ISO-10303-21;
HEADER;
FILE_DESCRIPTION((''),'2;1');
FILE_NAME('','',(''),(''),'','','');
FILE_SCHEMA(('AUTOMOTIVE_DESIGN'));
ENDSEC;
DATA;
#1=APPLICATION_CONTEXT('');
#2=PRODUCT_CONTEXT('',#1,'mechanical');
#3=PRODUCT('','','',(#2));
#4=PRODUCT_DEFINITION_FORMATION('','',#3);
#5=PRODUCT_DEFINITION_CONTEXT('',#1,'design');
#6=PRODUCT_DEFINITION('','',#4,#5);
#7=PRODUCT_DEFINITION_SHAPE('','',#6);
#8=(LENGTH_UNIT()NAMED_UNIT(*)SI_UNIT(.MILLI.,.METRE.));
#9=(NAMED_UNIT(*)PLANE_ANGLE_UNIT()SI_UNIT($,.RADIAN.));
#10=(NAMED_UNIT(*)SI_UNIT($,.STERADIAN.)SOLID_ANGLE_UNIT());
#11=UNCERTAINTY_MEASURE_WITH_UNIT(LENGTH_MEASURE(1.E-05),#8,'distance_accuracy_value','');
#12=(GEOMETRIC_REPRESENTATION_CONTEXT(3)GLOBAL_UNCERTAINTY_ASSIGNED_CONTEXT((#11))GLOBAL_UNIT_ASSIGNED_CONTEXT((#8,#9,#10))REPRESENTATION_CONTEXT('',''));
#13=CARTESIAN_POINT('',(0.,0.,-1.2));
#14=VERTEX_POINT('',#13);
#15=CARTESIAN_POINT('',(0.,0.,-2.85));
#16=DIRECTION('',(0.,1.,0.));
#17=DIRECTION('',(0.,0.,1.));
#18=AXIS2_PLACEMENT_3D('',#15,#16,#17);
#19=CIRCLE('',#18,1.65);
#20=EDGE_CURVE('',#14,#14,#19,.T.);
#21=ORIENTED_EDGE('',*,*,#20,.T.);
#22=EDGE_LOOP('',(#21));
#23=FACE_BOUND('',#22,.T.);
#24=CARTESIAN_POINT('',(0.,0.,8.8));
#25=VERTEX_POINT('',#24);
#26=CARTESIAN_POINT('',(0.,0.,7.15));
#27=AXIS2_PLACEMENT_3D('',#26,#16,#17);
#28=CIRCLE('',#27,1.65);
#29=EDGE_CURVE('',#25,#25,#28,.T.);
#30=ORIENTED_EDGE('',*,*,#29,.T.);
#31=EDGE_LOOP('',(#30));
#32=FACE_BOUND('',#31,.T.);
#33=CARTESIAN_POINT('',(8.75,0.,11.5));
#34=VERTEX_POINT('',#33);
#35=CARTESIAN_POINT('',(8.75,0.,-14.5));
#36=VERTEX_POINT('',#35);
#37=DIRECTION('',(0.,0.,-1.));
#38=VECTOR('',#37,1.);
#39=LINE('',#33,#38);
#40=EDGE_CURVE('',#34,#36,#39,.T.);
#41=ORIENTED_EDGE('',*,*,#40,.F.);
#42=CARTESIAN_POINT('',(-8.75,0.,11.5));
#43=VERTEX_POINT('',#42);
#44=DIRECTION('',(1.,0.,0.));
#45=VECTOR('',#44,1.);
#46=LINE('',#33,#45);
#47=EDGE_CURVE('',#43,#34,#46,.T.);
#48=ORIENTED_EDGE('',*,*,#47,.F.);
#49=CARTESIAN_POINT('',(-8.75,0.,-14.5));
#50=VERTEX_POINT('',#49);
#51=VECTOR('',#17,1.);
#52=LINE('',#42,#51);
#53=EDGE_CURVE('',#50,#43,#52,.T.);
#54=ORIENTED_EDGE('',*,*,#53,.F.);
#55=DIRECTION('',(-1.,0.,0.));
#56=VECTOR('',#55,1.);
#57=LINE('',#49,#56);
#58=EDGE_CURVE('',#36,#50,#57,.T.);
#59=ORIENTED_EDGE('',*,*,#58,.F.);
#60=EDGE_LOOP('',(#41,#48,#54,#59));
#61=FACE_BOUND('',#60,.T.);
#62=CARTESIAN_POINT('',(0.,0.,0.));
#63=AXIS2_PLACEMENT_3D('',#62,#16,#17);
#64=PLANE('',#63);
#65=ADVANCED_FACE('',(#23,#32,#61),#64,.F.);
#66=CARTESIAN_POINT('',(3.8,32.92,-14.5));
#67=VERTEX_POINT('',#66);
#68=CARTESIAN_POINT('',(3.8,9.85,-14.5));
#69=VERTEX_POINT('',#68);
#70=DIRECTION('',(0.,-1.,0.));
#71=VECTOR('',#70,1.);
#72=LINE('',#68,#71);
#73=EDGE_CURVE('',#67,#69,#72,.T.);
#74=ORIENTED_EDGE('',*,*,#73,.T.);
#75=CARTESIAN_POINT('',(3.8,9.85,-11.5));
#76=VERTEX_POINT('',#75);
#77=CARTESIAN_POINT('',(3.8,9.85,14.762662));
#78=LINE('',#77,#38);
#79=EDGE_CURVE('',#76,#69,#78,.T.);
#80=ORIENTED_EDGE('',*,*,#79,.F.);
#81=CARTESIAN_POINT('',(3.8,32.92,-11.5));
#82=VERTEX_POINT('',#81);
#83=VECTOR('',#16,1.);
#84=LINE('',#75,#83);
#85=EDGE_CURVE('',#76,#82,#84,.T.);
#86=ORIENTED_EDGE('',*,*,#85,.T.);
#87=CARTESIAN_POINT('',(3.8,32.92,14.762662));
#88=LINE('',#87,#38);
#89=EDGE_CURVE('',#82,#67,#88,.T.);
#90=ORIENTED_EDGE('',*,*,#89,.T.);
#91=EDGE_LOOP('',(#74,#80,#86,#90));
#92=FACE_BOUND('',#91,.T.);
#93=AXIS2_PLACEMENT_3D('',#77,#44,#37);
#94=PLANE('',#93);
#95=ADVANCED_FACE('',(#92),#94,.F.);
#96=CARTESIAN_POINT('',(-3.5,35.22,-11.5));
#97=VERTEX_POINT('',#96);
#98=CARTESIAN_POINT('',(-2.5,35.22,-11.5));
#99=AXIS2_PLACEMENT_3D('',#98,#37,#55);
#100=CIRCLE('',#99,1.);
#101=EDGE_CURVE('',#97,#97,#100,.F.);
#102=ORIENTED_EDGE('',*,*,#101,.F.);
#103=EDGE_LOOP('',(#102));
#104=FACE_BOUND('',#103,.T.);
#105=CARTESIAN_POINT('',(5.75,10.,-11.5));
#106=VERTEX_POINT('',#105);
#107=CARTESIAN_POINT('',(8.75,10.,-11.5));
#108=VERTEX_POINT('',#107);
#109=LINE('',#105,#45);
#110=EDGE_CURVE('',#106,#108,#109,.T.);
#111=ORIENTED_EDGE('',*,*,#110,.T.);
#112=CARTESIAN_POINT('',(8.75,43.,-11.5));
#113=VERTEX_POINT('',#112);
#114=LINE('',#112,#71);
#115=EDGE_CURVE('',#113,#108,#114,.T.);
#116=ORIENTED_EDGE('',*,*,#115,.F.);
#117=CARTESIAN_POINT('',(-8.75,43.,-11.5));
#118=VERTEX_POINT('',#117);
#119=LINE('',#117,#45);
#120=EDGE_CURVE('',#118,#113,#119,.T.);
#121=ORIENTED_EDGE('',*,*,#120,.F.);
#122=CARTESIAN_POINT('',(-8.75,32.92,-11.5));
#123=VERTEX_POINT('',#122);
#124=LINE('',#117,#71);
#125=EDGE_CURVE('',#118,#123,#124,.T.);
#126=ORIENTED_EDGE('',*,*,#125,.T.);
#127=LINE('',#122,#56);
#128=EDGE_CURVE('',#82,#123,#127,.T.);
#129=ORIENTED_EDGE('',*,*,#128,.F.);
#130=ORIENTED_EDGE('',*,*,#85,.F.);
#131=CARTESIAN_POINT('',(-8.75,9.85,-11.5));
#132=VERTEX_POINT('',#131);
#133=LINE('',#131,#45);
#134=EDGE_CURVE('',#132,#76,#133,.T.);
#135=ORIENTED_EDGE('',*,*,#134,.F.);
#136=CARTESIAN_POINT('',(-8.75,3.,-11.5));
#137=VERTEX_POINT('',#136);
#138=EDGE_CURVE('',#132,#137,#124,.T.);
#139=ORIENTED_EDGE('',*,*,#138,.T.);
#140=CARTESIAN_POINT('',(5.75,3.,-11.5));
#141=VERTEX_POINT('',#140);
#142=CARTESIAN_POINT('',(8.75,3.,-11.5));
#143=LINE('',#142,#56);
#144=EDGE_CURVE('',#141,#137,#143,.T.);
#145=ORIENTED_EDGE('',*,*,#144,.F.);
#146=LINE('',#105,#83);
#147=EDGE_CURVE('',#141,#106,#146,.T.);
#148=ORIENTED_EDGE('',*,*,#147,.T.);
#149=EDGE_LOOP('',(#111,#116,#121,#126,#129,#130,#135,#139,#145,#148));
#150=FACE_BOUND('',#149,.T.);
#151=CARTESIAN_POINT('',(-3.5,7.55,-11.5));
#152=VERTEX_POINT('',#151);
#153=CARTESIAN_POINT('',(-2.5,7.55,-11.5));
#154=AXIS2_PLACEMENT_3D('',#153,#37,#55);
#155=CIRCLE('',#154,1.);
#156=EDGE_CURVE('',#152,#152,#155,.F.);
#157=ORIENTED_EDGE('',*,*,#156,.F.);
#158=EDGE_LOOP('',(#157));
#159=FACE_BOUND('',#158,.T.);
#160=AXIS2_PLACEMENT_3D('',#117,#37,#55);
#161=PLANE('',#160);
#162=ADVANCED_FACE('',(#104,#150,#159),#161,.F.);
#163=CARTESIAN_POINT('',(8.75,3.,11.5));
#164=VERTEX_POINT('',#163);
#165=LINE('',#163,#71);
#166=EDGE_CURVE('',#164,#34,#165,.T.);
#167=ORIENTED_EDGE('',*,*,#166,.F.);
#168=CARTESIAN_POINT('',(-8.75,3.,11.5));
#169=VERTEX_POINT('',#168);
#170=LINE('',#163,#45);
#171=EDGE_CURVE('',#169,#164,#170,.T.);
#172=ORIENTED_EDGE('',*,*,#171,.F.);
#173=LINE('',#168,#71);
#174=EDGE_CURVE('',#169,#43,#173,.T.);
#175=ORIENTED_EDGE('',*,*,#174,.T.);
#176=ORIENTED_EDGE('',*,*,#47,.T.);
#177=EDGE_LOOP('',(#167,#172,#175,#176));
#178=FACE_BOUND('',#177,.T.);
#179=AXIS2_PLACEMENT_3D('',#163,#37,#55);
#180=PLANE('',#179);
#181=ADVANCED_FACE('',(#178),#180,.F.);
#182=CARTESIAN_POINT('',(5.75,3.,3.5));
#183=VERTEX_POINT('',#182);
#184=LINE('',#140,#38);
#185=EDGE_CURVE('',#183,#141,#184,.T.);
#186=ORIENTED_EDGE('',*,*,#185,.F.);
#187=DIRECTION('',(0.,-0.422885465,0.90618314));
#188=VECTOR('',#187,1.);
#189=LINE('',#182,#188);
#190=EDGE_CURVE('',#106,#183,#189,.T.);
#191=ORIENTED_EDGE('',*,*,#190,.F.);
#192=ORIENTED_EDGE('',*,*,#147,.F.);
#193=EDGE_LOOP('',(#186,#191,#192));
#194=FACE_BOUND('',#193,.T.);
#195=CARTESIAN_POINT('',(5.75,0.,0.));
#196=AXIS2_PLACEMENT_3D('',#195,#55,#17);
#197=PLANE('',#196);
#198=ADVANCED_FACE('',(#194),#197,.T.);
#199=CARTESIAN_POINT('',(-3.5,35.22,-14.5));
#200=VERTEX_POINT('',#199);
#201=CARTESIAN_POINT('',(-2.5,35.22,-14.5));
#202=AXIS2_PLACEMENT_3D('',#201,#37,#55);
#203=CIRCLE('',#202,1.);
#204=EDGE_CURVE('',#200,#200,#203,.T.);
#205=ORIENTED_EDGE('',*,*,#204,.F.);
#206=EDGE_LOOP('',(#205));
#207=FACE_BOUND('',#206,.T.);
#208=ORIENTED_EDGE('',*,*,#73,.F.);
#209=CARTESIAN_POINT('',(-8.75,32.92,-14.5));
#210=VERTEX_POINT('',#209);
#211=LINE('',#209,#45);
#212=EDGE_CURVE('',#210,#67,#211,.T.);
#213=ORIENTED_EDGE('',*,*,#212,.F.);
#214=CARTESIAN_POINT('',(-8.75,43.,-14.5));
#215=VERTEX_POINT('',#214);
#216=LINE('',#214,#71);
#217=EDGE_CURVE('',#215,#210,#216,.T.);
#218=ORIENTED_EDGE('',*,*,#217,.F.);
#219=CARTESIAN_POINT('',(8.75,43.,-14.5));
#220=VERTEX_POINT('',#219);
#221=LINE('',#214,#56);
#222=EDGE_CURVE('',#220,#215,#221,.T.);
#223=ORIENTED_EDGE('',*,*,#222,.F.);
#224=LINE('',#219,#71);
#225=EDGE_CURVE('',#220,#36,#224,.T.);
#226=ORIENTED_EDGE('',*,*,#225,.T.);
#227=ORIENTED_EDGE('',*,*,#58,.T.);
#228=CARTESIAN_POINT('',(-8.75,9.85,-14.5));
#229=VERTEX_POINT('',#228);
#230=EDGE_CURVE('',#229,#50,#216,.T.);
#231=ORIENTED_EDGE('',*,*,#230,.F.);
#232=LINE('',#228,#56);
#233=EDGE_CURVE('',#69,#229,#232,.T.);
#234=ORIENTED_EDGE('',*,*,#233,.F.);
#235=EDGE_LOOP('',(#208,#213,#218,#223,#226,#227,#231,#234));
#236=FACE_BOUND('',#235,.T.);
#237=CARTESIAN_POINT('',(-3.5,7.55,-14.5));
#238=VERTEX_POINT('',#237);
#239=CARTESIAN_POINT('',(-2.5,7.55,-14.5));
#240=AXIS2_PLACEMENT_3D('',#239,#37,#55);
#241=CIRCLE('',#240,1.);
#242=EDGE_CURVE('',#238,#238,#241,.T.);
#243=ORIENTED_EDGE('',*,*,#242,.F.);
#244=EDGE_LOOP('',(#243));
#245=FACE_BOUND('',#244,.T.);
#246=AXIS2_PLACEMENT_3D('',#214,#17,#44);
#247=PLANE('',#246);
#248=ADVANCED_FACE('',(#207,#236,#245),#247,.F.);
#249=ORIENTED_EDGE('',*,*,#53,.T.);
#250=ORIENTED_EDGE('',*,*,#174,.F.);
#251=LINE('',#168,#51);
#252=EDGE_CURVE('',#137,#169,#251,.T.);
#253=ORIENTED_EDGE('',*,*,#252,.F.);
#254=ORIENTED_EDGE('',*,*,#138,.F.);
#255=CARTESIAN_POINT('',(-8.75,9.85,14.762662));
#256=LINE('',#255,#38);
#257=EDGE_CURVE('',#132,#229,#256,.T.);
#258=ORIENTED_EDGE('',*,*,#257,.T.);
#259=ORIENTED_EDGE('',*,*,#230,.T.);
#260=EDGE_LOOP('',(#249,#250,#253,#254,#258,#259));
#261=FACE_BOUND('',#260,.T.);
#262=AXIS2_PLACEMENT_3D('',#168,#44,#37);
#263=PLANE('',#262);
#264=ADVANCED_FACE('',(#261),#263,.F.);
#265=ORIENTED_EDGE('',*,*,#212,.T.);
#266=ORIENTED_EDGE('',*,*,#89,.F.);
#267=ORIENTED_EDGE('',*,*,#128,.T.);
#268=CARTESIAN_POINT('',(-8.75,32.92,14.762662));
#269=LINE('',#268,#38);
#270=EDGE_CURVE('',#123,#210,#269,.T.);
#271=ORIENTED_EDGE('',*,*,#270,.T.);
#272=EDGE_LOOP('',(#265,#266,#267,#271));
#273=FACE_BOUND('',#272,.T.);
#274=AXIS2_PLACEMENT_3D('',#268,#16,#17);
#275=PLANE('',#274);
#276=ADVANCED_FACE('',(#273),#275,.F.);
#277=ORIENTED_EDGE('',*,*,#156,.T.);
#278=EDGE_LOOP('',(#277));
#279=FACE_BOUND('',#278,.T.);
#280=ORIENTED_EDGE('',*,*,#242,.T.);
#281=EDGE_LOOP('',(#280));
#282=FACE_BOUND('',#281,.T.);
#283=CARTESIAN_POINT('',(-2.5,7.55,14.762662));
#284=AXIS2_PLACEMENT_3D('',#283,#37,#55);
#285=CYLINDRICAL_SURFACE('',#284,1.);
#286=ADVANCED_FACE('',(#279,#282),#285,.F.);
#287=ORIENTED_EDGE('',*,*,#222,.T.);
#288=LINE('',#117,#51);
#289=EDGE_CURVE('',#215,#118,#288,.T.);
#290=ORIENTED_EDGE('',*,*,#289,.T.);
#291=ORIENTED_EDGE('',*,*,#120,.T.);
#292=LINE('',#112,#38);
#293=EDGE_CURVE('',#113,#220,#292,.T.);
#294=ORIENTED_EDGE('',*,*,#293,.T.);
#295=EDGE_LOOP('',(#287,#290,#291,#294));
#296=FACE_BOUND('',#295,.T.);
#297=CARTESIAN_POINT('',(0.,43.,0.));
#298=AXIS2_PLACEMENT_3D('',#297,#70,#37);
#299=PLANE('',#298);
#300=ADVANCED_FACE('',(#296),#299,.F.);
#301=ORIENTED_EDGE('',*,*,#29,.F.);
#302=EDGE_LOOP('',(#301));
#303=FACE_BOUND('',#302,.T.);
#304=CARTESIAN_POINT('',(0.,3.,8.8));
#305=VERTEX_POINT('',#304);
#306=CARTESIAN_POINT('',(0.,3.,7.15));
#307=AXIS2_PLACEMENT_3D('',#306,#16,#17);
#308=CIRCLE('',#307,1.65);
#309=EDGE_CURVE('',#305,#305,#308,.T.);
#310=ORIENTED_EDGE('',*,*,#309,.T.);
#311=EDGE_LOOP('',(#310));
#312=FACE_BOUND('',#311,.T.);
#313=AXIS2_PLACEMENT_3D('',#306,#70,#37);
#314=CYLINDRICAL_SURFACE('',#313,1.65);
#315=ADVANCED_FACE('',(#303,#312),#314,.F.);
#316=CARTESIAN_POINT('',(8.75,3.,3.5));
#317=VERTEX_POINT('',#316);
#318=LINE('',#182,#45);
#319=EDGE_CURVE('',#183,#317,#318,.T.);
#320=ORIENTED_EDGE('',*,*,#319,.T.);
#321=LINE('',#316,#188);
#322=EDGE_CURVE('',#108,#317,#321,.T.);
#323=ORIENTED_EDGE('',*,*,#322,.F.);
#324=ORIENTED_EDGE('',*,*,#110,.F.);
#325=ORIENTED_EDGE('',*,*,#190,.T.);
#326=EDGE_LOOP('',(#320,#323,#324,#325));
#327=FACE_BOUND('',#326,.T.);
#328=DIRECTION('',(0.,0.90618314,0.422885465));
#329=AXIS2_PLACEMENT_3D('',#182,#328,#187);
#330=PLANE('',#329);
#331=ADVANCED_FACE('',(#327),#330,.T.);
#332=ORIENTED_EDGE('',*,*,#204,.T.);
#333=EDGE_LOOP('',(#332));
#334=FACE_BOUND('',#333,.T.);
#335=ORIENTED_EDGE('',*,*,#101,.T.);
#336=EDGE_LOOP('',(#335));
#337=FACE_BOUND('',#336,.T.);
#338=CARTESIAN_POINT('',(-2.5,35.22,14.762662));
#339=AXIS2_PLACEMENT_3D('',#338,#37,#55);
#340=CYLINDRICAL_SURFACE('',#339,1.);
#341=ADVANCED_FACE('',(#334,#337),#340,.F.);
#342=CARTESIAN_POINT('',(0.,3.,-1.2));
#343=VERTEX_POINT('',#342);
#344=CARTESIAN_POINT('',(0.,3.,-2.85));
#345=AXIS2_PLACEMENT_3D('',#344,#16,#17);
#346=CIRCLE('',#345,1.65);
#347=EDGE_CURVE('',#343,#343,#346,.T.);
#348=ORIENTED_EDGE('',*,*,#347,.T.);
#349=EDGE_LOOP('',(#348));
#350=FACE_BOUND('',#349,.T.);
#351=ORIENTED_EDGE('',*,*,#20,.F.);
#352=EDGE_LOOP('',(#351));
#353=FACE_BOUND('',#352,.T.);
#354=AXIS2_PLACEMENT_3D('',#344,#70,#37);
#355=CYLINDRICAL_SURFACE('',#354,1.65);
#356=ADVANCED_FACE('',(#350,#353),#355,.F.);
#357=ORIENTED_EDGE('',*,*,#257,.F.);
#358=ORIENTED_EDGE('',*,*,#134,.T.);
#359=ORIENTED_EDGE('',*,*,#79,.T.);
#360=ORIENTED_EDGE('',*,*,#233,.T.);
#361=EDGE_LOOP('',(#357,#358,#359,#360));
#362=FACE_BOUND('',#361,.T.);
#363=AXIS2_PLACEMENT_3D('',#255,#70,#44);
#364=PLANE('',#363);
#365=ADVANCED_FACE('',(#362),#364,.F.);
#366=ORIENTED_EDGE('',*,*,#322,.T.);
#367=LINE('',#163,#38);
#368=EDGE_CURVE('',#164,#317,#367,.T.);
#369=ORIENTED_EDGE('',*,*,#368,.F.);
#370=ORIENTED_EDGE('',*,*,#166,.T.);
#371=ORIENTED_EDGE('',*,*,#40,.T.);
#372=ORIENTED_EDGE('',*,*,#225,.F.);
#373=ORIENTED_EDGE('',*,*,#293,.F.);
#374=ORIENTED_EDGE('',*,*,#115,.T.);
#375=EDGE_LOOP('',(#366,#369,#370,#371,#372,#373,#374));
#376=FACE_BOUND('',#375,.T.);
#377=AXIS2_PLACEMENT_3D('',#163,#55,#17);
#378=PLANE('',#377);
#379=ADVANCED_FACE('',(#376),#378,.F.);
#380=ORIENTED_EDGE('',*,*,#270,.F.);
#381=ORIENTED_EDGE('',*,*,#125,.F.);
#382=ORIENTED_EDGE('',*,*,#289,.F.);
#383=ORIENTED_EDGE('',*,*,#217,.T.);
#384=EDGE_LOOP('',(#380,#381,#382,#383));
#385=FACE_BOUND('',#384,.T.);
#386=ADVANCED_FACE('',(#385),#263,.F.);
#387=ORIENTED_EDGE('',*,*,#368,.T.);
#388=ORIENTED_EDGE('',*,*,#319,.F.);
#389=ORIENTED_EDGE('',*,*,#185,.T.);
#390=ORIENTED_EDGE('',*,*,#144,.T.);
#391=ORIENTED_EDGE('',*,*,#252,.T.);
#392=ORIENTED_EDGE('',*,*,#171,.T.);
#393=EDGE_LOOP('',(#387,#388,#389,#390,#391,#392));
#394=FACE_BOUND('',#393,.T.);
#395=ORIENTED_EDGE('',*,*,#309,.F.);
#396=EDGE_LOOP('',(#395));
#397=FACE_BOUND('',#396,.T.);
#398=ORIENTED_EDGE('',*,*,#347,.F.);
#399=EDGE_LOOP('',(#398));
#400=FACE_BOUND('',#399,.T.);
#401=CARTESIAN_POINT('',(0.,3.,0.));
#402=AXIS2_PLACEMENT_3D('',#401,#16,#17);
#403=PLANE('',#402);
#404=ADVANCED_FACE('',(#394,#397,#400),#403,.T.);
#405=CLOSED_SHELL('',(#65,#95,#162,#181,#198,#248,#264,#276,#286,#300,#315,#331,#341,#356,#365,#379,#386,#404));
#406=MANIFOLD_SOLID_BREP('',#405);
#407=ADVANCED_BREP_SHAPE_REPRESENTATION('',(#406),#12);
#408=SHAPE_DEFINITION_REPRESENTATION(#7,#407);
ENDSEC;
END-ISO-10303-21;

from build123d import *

# Parameters (mm, degrees)
SKETCH_1_W          = 17.5
SKETCH_1_H          = 23
SKETCH_1_R          = 1.65
EXTRUDE_1_DEPTH     = 3
SKETCH_2_W          = 17.5
SKETCH_2_H          = 3
EXTRUDE_2_DEPTH     = 43
SKETCH_3_R          = 1
SKETCH_3_W          = 12.55
SKETCH_3_H          = 23.07
CUT_EXTRUDE_1_DEPTH = 3
EXTRUDE_3_DEPTH     = 3


with BuildPart() as part:
    # 草图1 → 凸台-拉伸1 (new body)
    with BuildSketch(Plane(origin=(0, 0, 0), x_dir=(1, 0, 0), z_dir=(0, 1, 0))):
        Rectangle(SKETCH_1_W, SKETCH_1_H)
        with Locations(Location((0, 2.85, 0), (0, 0, 270))):
            Circle(SKETCH_1_R, mode=Mode.SUBTRACT)
        with Locations(Location((0, -7.15, 0), (0, 0, 270))):
            Circle(SKETCH_1_R, mode=Mode.SUBTRACT)
    extrude(amount=EXTRUDE_1_DEPTH)

    # 草图2 → 凸台-拉伸2 (add)
    with BuildSketch(Plane(origin=(0, 0, 0), x_dir=(1, 0, 0), z_dir=(0, 1, 0))):
        with Locations((0, 13)):
            Rectangle(SKETCH_2_W, SKETCH_2_H)
    extrude(amount=EXTRUDE_2_DEPTH)

    # 草图3 → 切除-拉伸1 (cut)
    with BuildSketch(Plane(origin=(0, 0, -14.5), x_dir=(-1, 0, 0), z_dir=(0, 0, -1))):
        with Locations((2.5, 7.55)):
            Circle(SKETCH_3_R)
        with Locations((2.5, 35.22)):
            Circle(SKETCH_3_R)
        with Locations((2.475, 21.385)):
            Rectangle(SKETCH_3_W, SKETCH_3_H)
    extrude(amount=-CUT_EXTRUDE_1_DEPTH, mode=Mode.SUBTRACT)

    # 草图4 → 凸台-拉伸3 (add)
    with BuildSketch(Plane(origin=(8.75, 0, 0), x_dir=(0, 0, -1), z_dir=(1, 0, 0))):
        Polygon((11.5, 3), (-3.5, 3), (11.5, 10), align=None)
    extrude(amount=-EXTRUDE_3_DEPTH)


solid = part.part
